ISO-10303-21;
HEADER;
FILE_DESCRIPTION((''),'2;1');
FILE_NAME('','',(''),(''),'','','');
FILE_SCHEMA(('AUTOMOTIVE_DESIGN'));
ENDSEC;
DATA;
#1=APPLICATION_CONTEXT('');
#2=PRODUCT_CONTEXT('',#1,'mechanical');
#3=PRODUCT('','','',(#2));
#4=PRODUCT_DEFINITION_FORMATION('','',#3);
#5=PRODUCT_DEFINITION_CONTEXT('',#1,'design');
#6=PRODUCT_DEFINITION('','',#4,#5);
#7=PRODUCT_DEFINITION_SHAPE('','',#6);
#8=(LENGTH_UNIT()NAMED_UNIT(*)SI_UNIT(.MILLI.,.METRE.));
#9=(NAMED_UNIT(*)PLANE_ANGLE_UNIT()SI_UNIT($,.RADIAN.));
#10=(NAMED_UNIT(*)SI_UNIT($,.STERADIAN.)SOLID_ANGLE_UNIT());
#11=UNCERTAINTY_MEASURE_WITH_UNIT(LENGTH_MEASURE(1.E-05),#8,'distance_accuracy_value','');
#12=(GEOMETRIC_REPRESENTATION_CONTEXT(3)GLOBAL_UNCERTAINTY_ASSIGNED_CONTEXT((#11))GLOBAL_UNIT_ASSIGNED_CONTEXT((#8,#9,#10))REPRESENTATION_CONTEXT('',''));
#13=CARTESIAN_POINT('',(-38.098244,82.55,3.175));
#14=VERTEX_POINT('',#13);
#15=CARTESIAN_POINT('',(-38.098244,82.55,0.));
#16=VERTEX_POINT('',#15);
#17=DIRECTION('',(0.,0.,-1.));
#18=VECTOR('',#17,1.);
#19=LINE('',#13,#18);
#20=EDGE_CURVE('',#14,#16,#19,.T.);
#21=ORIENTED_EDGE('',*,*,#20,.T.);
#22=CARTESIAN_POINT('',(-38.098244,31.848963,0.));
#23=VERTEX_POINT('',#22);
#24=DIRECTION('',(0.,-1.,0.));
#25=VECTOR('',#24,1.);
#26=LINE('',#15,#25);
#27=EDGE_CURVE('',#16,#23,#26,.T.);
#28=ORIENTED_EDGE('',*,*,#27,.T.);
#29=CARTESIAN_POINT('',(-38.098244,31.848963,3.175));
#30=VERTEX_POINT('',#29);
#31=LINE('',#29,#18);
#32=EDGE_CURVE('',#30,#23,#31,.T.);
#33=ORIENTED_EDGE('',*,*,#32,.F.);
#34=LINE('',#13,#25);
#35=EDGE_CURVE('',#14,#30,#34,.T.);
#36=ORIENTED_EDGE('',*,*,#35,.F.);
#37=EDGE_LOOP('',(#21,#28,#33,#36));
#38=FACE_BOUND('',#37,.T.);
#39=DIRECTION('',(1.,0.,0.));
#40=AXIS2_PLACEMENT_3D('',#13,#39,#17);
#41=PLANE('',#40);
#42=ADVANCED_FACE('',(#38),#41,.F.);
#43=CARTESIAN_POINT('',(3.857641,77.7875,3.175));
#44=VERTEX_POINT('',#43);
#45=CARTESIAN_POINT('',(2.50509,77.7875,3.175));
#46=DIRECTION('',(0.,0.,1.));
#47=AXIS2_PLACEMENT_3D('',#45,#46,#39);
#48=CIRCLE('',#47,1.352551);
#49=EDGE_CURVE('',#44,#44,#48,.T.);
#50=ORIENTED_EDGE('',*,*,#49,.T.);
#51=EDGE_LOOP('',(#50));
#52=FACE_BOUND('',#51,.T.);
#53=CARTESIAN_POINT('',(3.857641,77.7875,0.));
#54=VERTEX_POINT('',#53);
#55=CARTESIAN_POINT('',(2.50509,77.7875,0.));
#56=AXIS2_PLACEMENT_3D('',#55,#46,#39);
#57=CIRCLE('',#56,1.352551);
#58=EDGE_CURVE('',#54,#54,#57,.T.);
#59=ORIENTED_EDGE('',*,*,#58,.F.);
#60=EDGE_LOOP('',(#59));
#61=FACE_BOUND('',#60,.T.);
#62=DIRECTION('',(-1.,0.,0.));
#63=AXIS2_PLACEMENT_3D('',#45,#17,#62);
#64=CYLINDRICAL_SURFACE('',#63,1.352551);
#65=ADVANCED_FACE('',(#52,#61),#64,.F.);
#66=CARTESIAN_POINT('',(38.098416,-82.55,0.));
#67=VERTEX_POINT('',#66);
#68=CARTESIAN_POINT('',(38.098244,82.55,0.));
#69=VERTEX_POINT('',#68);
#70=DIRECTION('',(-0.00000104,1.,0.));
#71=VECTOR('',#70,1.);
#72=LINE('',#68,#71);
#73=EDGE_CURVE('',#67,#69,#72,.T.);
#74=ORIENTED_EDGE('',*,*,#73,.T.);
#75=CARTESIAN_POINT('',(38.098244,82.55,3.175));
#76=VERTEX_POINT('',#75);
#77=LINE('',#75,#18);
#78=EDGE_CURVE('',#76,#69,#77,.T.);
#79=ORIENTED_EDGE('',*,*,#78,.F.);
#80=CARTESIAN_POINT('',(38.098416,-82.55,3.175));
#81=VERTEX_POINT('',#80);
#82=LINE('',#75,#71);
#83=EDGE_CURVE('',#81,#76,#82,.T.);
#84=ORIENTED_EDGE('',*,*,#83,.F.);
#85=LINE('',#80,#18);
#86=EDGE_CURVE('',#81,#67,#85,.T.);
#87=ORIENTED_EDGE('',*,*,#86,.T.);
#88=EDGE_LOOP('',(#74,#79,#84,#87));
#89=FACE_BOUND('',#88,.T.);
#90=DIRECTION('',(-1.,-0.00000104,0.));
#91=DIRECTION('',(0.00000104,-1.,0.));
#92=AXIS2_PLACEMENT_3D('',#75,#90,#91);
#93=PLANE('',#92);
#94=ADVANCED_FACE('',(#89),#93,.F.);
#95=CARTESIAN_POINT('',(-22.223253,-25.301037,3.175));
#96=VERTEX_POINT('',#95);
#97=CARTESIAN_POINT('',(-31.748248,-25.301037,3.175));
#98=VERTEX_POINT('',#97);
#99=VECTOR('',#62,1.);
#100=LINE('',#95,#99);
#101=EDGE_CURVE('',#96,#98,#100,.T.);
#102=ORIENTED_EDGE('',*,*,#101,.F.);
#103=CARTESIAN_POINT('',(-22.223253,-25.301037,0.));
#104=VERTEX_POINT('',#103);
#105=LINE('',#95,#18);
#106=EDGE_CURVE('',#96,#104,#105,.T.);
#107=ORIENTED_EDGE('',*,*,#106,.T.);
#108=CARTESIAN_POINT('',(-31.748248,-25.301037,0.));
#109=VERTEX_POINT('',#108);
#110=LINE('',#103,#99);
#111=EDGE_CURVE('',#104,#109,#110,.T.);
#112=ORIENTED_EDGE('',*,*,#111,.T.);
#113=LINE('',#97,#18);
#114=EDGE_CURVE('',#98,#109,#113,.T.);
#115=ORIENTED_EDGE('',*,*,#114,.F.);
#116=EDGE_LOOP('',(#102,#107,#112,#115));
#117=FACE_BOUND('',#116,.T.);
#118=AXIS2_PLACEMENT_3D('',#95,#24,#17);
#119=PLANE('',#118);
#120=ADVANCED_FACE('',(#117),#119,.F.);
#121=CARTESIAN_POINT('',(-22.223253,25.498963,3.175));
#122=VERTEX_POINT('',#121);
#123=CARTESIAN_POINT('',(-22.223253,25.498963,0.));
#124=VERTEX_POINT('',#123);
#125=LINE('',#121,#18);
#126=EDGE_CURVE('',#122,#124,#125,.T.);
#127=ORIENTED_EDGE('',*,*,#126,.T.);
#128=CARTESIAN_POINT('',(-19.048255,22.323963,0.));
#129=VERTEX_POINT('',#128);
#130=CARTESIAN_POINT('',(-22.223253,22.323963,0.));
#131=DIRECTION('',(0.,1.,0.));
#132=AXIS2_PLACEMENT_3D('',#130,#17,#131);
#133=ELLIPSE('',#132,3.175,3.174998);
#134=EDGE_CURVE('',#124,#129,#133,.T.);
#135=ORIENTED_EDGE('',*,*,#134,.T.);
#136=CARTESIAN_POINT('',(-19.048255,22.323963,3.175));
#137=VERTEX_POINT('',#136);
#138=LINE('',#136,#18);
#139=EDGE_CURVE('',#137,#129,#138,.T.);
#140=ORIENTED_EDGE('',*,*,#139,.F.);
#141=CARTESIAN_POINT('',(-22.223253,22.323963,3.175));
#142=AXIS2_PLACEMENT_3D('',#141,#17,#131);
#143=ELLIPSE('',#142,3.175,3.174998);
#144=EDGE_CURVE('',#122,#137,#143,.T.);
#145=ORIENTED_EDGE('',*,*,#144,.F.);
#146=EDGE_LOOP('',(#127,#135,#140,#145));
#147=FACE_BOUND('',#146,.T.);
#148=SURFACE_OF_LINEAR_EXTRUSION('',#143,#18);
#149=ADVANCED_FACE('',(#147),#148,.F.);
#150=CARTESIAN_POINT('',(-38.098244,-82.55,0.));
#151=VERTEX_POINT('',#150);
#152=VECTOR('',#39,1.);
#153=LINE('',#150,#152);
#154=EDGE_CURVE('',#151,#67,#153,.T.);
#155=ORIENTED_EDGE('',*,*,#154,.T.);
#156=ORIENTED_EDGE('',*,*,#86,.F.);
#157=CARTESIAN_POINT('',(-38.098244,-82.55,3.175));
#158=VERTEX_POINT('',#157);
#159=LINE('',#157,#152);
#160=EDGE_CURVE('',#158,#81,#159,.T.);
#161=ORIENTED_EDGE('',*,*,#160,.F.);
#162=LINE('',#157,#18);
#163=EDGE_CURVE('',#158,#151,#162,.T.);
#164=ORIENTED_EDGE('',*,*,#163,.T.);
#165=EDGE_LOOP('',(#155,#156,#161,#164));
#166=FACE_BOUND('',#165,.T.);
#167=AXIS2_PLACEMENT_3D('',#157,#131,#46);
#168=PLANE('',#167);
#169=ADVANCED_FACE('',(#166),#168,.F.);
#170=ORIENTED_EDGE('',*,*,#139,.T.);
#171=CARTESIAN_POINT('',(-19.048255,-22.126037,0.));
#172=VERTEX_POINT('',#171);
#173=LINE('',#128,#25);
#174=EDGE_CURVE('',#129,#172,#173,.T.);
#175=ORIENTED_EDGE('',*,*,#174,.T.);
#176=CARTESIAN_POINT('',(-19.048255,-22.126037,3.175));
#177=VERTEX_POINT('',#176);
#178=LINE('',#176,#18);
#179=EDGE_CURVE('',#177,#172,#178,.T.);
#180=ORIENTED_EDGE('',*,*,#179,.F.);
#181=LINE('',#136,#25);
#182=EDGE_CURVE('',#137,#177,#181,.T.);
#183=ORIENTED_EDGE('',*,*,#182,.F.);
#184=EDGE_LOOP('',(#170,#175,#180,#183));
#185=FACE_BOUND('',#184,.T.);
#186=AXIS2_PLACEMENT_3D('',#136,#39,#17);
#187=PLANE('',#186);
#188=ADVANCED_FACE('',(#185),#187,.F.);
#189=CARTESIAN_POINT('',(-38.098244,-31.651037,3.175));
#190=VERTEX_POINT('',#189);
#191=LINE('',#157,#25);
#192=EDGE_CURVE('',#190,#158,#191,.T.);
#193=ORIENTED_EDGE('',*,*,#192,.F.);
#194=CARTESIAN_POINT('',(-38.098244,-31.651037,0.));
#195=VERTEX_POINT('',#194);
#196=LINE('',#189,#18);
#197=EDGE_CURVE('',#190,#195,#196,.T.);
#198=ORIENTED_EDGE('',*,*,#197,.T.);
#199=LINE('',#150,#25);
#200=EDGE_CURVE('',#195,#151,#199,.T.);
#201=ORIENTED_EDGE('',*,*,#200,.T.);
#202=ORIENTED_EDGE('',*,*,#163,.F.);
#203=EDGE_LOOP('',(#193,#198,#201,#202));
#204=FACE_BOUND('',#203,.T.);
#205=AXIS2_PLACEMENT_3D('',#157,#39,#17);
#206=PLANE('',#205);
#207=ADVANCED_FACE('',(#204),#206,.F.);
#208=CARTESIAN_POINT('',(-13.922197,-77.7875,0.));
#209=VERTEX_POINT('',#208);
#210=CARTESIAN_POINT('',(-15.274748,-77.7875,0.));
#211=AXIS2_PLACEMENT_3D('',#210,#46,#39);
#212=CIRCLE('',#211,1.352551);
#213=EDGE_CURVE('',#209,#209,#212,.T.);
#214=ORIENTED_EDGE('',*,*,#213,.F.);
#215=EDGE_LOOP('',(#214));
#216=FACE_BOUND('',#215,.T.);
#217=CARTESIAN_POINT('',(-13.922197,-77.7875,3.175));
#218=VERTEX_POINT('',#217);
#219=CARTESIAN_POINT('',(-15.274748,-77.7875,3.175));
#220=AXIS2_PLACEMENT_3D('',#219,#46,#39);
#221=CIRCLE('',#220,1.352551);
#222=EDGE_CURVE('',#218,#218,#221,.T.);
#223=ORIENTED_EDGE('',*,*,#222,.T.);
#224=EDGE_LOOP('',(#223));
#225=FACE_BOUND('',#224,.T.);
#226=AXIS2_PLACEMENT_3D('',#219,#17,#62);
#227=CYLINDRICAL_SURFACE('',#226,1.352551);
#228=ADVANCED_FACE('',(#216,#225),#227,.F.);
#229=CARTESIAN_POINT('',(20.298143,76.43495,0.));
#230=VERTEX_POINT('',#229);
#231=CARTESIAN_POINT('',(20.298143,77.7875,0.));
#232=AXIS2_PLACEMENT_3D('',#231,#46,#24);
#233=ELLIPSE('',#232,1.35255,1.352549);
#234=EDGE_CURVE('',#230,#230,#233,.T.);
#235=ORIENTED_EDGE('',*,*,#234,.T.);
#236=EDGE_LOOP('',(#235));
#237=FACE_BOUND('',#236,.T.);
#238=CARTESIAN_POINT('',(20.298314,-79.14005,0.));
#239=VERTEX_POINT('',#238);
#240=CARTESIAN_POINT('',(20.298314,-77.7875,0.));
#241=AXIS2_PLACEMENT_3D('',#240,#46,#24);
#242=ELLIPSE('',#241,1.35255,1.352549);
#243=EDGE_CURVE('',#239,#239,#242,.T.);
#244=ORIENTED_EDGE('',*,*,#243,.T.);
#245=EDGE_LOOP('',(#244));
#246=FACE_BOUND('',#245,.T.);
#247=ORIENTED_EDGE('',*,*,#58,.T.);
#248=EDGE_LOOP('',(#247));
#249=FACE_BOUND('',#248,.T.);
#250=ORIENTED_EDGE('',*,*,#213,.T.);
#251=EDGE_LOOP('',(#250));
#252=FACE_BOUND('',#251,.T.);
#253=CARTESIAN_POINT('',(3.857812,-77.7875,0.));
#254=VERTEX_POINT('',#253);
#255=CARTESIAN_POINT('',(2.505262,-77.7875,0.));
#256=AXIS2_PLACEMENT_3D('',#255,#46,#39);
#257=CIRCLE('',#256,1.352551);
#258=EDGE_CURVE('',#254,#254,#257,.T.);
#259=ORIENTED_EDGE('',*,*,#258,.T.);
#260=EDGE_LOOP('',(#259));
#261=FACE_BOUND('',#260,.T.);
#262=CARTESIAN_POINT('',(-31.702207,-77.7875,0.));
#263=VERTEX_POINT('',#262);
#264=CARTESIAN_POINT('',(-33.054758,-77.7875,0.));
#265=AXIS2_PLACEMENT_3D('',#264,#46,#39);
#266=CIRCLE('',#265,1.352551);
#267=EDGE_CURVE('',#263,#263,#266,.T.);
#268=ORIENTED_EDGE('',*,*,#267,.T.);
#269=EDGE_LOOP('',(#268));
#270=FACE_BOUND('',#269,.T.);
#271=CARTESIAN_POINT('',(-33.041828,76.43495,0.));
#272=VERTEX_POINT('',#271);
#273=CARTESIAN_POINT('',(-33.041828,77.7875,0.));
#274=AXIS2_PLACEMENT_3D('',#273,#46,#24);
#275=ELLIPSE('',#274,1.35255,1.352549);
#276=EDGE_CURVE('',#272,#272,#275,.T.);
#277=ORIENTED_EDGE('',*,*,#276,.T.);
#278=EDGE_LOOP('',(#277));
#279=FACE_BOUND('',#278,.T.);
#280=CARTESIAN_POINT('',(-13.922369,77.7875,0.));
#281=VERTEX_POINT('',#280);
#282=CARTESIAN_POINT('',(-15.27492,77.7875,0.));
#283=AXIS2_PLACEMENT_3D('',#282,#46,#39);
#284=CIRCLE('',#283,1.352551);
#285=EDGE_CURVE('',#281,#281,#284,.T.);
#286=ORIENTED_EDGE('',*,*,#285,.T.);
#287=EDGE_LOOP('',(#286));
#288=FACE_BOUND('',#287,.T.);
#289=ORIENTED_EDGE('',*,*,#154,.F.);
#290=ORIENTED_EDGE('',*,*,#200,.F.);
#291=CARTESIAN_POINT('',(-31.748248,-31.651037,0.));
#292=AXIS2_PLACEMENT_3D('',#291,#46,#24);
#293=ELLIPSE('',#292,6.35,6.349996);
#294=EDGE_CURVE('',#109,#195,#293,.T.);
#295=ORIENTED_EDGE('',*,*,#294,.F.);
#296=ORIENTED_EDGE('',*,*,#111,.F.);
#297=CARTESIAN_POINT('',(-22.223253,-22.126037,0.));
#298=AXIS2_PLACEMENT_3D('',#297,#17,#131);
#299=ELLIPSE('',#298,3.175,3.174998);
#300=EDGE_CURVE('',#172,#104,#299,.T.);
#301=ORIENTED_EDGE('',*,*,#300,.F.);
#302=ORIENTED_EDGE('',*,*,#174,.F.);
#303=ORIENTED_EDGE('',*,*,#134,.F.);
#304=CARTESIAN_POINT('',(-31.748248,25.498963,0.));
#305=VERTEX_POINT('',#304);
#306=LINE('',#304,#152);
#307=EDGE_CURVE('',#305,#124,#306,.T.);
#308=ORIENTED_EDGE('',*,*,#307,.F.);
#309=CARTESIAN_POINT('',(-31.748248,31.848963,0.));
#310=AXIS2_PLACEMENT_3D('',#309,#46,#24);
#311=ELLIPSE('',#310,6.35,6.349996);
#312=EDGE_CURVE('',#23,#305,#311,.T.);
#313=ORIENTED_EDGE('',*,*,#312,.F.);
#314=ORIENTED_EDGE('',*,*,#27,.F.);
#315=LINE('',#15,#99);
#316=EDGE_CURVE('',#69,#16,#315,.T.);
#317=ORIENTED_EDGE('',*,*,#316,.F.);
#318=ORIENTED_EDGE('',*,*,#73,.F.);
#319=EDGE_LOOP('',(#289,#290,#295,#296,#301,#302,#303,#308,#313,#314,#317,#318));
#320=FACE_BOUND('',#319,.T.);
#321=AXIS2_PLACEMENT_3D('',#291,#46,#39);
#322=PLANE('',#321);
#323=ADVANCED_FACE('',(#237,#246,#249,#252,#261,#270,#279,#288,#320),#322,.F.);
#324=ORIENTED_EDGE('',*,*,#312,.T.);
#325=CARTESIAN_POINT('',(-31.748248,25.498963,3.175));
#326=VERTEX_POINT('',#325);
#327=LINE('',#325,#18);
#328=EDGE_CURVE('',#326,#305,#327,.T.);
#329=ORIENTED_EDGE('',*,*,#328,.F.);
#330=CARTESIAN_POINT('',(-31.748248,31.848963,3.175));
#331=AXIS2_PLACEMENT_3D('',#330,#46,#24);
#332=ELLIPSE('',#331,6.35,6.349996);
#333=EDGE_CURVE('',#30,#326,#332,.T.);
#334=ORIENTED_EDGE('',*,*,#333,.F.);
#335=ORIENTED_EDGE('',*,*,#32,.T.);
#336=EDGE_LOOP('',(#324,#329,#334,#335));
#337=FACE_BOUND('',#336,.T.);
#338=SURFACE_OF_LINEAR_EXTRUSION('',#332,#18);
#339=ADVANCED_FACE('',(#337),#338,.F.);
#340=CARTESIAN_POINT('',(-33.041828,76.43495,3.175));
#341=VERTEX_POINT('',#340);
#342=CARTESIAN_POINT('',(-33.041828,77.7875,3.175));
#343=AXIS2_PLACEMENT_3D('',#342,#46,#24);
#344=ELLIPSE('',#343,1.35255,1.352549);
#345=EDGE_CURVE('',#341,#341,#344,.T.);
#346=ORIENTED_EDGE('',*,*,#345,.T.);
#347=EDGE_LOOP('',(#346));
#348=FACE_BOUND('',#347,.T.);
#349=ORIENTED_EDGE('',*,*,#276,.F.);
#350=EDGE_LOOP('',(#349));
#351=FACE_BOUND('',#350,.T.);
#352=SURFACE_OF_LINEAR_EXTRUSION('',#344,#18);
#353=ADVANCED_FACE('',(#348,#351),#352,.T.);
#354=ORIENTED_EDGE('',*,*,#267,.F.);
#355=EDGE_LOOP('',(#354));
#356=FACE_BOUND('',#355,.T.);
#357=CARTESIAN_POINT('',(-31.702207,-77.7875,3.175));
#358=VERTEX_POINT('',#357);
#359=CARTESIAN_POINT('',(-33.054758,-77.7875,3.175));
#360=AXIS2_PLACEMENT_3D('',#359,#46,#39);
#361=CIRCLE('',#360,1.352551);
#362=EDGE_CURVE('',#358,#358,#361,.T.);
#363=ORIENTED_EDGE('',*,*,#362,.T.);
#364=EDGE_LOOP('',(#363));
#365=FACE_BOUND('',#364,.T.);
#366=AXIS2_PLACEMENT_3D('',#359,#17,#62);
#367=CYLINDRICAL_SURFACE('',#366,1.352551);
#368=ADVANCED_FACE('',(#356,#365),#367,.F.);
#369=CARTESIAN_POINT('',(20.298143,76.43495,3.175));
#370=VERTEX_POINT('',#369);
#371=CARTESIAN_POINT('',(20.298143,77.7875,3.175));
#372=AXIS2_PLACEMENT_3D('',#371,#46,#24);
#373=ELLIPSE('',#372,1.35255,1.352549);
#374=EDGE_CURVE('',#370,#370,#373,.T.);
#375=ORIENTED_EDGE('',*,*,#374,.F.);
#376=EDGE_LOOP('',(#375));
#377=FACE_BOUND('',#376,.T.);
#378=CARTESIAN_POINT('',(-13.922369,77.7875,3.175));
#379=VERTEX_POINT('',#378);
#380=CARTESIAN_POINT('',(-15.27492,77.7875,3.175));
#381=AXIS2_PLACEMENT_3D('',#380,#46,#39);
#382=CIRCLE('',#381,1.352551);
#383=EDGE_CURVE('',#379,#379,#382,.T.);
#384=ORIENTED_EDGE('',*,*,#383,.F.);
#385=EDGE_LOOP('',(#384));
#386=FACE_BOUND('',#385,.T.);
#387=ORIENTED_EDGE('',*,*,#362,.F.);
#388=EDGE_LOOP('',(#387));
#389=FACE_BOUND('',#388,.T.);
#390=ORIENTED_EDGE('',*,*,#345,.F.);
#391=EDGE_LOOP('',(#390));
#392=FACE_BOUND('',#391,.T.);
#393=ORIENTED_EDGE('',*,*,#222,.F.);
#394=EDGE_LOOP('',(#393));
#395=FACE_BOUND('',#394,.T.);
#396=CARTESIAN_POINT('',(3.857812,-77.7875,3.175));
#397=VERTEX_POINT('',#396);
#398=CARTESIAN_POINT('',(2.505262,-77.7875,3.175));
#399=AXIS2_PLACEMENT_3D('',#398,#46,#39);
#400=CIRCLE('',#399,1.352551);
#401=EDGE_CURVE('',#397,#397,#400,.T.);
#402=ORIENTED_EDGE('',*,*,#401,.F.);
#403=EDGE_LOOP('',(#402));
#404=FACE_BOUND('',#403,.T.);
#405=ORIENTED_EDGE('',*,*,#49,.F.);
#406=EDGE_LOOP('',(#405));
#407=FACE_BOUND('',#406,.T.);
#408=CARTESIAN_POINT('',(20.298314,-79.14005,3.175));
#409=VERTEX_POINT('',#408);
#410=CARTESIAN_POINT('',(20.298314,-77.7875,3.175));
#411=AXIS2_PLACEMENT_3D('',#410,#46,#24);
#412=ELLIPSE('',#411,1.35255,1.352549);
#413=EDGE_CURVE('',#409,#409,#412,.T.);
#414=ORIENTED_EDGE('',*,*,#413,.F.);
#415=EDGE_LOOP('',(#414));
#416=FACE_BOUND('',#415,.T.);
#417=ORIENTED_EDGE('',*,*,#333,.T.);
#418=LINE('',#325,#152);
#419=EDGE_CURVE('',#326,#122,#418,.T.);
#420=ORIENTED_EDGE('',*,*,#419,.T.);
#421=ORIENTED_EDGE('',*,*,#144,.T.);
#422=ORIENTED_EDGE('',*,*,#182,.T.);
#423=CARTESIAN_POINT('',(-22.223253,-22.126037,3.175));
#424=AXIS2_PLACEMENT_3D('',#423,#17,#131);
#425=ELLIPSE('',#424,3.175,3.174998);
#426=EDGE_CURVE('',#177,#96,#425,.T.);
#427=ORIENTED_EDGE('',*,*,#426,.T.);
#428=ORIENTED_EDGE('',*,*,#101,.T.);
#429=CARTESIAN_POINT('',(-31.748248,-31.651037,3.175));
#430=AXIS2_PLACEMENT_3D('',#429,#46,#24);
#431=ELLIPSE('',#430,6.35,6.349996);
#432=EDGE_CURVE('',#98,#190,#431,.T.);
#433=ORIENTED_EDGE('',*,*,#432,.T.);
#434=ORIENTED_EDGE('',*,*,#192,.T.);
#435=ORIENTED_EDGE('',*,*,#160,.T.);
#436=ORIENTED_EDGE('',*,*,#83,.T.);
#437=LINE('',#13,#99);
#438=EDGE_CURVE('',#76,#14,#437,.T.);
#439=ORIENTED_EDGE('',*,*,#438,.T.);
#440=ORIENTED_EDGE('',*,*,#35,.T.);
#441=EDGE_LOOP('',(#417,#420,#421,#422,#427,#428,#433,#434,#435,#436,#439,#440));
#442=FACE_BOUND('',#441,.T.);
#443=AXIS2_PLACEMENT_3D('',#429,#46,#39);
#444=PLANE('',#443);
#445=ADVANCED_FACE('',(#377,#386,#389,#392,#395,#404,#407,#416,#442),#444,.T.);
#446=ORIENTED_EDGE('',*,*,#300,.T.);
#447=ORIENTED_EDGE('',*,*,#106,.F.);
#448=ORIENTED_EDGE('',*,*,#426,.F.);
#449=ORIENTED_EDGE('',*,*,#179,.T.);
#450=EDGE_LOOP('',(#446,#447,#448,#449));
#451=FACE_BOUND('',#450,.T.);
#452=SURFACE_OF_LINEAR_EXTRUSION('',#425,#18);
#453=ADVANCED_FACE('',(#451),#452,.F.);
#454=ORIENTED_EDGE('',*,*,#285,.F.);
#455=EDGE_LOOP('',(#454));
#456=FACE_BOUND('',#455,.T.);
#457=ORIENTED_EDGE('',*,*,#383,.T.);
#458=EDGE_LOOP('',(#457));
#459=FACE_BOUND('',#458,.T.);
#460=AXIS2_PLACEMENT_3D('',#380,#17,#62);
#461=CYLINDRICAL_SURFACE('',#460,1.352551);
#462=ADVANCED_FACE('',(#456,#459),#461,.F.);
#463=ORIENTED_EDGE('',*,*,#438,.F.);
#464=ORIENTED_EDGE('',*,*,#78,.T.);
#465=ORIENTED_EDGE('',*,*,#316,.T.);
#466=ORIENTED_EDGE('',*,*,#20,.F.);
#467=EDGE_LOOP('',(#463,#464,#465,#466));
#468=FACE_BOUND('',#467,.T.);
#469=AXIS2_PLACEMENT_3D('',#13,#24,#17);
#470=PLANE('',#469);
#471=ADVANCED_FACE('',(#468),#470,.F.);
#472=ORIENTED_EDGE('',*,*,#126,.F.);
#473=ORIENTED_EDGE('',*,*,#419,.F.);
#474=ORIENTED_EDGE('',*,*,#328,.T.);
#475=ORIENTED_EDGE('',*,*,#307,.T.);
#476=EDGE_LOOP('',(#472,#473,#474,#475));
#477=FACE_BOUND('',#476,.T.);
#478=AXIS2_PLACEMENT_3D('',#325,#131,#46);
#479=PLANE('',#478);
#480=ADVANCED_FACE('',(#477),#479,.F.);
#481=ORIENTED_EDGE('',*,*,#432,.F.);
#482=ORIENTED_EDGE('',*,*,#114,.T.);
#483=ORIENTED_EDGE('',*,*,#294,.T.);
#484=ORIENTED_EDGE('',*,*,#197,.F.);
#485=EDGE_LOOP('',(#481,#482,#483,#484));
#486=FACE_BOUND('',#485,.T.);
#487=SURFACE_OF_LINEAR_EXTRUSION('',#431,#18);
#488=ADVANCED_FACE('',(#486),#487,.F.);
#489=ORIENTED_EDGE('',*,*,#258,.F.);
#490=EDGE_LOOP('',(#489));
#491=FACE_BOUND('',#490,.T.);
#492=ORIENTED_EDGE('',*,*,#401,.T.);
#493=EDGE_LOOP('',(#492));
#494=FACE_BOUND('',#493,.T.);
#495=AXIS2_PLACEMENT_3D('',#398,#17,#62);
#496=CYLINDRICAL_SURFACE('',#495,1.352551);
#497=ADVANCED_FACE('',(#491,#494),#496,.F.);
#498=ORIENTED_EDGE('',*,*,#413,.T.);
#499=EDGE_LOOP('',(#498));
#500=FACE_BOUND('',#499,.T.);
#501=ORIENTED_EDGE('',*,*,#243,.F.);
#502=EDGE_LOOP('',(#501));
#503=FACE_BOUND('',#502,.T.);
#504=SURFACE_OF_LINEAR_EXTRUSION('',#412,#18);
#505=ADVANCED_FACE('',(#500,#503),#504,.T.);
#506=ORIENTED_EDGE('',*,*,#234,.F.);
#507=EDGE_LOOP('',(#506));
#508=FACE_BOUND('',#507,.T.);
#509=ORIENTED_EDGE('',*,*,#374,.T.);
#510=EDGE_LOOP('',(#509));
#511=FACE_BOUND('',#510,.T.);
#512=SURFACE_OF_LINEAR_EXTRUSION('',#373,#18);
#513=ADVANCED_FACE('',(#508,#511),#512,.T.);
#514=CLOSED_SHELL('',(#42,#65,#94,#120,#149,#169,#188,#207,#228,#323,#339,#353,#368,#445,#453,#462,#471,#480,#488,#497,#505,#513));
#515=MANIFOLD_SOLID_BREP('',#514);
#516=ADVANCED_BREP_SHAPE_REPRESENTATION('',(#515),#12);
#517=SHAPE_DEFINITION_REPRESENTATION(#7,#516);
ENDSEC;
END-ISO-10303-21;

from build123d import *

# Parameters (mm, degrees)
SKETCH1_R           = 1.352550752
SKETCH1_RX          = 1.35255
SKETCH1_RY          = 1.352549248
BOSS_EXTRUDE2_DEPTH = 3.175


with BuildPart() as part:
    # Sketch1 → Boss-Extrude2 (new body)
    with BuildSketch(Plane.XY):
        with BuildLine():
            Line((38.098244435, 82.55), (38.098416123, -82.55))
            Line((38.098416123, -82.55), (-38.098244435, -82.55))
            Line((-38.098244435, -82.55), (-38.098244435, -31.651036949))
            add(Edge.make_bspline(
                [(-31.748247963, -25.301036949), (-38.098244435, -25.301036949), (-38.098244435, -31.651036949)],
                knots=[3.141592654, 3.141592654, 3.141592654, 4.71238898, 4.71238898, 4.71238898], degree=2, weights=[1, 0.707106781, 1]))
            Line((-31.748247963, -25.301036949), (-22.223253256, -25.301036949))
            add(Edge.make_bspline(
                [(-22.223253256, -25.301036949), (-19.04825502, -25.301036949), (-19.04825502, -22.126036949)],
                knots=[3.141592654, 3.141592654, 3.141592654, 4.71238898, 4.71238898, 4.71238898], degree=2, weights=[1, 0.707106781, 1]))
            Line((-19.04825502, -22.126036949), (-19.04825502, 22.323963051))
            add(Edge.make_bspline(
                [(-19.04825502, 22.323963051), (-19.04825502, 25.498963051), (-22.223253256, 25.498963051)],
                knots=[4.71238898, 4.71238898, 4.71238898, 6.283185307, 6.283185307, 6.283185307], degree=2, weights=[1, 0.707106781, 1]))
            Line((-22.223253256, 25.498963051), (-31.748247963, 25.498963051))
            add(Edge.make_bspline(
                [(-38.098244435, 31.848963051), (-38.098244435, 25.498963051), (-31.748247963, 25.498963051)],
                knots=[4.71238898, 4.71238898, 4.71238898, 6.283185307, 6.283185307, 6.283185307], degree=2, weights=[1, 0.707106781, 1]))
            Line((-38.098244435, 31.848963051), (-38.098244435, 82.55))
            Line((-38.098244435, 82.55), (38.098244435, 82.55))
        make_face()
        with Locations((2.505261643, -77.7875)):
            Circle(SKETCH1_R, mode=Mode.SUBTRACT)
        with Locations((-15.274748237, -77.7875)):
            Circle(SKETCH1_R, mode=Mode.SUBTRACT)
        with Locations((-33.054758116, -77.7875)):
            Circle(SKETCH1_R, mode=Mode.SUBTRACT)
        with Locations((2.505089955, 77.7875)):
            Circle(SKETCH1_R, mode=Mode.SUBTRACT)
        with Locations((-15.274919924, 77.7875)):
            Circle(SKETCH1_R, mode=Mode.SUBTRACT)
        with Locations(Location((20.298314341, -77.7875), (0, 0, -90))):
            Ellipse(SKETCH1_RX, SKETCH1_RY, mode=Mode.SUBTRACT)
        with Locations(Location((20.298142653, 77.7875), (0, 0, -90))):
            Ellipse(SKETCH1_RX, SKETCH1_RY, mode=Mode.SUBTRACT)
        with Locations(Location((-33.041827709, 77.7875), (0, 0, -90))):
            Ellipse(SKETCH1_RX, SKETCH1_RY, mode=Mode.SUBTRACT)
    extrude(amount=BOSS_EXTRUDE2_DEPTH)


solid = part.part
